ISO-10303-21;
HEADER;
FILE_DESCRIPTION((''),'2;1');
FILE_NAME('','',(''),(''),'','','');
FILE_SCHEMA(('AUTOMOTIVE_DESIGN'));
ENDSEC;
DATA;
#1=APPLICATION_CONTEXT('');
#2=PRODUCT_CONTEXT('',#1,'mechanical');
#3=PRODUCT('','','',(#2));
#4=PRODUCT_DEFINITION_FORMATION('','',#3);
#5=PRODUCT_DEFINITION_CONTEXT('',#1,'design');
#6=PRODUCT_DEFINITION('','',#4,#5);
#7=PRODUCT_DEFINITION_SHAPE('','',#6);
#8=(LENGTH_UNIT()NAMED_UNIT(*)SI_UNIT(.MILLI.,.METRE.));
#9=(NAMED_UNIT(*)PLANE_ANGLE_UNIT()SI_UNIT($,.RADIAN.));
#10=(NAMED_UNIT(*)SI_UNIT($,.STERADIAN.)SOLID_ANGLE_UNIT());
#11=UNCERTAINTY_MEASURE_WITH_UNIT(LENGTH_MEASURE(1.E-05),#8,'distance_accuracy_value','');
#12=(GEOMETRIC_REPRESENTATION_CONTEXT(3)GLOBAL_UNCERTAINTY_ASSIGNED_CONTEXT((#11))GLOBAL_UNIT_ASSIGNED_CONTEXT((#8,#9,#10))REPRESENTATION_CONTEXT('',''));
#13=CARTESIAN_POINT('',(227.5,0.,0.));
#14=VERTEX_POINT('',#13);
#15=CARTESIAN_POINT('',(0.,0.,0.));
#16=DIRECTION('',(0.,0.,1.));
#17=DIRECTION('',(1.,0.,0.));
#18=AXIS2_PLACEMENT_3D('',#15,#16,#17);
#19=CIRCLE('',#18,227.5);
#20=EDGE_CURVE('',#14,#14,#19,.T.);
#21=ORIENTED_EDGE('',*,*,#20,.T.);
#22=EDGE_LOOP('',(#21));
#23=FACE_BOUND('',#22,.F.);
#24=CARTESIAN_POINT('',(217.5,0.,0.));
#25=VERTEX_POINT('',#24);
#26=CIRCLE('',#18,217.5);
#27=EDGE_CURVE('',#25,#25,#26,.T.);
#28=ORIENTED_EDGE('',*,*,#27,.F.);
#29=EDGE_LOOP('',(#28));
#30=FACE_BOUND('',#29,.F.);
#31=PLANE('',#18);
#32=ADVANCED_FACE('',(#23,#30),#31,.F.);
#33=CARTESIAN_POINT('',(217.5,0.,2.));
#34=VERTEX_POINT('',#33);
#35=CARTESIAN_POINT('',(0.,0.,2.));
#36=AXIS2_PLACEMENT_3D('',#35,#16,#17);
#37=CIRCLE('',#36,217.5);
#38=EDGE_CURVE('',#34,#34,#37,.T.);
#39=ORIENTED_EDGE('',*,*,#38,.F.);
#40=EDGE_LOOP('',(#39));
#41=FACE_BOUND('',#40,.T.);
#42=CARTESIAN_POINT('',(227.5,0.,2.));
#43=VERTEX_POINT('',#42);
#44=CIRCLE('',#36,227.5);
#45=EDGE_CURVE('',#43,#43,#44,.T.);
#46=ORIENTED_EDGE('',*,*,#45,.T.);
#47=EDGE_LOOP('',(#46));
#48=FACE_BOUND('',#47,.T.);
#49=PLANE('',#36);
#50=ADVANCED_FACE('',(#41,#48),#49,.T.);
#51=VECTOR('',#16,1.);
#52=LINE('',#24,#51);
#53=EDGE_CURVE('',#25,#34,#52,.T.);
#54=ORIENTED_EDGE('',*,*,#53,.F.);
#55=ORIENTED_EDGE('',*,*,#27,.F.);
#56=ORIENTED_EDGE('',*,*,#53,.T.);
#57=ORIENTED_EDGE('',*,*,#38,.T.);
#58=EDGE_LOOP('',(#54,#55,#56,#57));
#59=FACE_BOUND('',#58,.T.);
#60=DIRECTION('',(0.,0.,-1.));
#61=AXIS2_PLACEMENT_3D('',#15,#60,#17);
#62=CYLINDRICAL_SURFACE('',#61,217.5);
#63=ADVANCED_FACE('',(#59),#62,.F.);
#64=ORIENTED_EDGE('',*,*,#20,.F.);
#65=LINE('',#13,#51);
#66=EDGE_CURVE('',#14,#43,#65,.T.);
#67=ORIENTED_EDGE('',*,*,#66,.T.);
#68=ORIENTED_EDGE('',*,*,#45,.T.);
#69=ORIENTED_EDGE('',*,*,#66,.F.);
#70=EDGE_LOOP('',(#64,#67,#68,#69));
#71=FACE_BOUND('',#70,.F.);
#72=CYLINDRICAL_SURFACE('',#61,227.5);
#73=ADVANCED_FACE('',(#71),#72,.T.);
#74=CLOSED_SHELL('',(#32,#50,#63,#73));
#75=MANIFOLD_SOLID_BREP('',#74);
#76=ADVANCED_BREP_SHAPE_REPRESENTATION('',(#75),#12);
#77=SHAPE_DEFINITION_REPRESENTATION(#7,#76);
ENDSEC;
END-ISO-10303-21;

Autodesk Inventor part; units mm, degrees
ref_plane "YZ Plane" through (0, 0, 0) normal (1, 0, 0) x (0, 1, 0)
ref_plane "XZ Plane" through (0, 0, 0) normal (0, 1, 0) x (-1, 0, 0)
ref_plane "XY Plane" through (0, 0, 0) normal (0, 0, 1) x (1, 0, 0)
sketch "Эскиз1" plane through (0, 0, 0) normal (0, 0, 1) x (1, 0, 0)
  circle A0 centre (0, 0) radius 227.5
  circle A1 centre (0, 0) radius 217.5
  dimension "d0" = 455
  dimension "d1" = 435
extrude "Выдавливание1" add sketch "Эскиз1" along normal blind 2
properties part number "Уплотнение фонарь" material "Алюминий 6061"
